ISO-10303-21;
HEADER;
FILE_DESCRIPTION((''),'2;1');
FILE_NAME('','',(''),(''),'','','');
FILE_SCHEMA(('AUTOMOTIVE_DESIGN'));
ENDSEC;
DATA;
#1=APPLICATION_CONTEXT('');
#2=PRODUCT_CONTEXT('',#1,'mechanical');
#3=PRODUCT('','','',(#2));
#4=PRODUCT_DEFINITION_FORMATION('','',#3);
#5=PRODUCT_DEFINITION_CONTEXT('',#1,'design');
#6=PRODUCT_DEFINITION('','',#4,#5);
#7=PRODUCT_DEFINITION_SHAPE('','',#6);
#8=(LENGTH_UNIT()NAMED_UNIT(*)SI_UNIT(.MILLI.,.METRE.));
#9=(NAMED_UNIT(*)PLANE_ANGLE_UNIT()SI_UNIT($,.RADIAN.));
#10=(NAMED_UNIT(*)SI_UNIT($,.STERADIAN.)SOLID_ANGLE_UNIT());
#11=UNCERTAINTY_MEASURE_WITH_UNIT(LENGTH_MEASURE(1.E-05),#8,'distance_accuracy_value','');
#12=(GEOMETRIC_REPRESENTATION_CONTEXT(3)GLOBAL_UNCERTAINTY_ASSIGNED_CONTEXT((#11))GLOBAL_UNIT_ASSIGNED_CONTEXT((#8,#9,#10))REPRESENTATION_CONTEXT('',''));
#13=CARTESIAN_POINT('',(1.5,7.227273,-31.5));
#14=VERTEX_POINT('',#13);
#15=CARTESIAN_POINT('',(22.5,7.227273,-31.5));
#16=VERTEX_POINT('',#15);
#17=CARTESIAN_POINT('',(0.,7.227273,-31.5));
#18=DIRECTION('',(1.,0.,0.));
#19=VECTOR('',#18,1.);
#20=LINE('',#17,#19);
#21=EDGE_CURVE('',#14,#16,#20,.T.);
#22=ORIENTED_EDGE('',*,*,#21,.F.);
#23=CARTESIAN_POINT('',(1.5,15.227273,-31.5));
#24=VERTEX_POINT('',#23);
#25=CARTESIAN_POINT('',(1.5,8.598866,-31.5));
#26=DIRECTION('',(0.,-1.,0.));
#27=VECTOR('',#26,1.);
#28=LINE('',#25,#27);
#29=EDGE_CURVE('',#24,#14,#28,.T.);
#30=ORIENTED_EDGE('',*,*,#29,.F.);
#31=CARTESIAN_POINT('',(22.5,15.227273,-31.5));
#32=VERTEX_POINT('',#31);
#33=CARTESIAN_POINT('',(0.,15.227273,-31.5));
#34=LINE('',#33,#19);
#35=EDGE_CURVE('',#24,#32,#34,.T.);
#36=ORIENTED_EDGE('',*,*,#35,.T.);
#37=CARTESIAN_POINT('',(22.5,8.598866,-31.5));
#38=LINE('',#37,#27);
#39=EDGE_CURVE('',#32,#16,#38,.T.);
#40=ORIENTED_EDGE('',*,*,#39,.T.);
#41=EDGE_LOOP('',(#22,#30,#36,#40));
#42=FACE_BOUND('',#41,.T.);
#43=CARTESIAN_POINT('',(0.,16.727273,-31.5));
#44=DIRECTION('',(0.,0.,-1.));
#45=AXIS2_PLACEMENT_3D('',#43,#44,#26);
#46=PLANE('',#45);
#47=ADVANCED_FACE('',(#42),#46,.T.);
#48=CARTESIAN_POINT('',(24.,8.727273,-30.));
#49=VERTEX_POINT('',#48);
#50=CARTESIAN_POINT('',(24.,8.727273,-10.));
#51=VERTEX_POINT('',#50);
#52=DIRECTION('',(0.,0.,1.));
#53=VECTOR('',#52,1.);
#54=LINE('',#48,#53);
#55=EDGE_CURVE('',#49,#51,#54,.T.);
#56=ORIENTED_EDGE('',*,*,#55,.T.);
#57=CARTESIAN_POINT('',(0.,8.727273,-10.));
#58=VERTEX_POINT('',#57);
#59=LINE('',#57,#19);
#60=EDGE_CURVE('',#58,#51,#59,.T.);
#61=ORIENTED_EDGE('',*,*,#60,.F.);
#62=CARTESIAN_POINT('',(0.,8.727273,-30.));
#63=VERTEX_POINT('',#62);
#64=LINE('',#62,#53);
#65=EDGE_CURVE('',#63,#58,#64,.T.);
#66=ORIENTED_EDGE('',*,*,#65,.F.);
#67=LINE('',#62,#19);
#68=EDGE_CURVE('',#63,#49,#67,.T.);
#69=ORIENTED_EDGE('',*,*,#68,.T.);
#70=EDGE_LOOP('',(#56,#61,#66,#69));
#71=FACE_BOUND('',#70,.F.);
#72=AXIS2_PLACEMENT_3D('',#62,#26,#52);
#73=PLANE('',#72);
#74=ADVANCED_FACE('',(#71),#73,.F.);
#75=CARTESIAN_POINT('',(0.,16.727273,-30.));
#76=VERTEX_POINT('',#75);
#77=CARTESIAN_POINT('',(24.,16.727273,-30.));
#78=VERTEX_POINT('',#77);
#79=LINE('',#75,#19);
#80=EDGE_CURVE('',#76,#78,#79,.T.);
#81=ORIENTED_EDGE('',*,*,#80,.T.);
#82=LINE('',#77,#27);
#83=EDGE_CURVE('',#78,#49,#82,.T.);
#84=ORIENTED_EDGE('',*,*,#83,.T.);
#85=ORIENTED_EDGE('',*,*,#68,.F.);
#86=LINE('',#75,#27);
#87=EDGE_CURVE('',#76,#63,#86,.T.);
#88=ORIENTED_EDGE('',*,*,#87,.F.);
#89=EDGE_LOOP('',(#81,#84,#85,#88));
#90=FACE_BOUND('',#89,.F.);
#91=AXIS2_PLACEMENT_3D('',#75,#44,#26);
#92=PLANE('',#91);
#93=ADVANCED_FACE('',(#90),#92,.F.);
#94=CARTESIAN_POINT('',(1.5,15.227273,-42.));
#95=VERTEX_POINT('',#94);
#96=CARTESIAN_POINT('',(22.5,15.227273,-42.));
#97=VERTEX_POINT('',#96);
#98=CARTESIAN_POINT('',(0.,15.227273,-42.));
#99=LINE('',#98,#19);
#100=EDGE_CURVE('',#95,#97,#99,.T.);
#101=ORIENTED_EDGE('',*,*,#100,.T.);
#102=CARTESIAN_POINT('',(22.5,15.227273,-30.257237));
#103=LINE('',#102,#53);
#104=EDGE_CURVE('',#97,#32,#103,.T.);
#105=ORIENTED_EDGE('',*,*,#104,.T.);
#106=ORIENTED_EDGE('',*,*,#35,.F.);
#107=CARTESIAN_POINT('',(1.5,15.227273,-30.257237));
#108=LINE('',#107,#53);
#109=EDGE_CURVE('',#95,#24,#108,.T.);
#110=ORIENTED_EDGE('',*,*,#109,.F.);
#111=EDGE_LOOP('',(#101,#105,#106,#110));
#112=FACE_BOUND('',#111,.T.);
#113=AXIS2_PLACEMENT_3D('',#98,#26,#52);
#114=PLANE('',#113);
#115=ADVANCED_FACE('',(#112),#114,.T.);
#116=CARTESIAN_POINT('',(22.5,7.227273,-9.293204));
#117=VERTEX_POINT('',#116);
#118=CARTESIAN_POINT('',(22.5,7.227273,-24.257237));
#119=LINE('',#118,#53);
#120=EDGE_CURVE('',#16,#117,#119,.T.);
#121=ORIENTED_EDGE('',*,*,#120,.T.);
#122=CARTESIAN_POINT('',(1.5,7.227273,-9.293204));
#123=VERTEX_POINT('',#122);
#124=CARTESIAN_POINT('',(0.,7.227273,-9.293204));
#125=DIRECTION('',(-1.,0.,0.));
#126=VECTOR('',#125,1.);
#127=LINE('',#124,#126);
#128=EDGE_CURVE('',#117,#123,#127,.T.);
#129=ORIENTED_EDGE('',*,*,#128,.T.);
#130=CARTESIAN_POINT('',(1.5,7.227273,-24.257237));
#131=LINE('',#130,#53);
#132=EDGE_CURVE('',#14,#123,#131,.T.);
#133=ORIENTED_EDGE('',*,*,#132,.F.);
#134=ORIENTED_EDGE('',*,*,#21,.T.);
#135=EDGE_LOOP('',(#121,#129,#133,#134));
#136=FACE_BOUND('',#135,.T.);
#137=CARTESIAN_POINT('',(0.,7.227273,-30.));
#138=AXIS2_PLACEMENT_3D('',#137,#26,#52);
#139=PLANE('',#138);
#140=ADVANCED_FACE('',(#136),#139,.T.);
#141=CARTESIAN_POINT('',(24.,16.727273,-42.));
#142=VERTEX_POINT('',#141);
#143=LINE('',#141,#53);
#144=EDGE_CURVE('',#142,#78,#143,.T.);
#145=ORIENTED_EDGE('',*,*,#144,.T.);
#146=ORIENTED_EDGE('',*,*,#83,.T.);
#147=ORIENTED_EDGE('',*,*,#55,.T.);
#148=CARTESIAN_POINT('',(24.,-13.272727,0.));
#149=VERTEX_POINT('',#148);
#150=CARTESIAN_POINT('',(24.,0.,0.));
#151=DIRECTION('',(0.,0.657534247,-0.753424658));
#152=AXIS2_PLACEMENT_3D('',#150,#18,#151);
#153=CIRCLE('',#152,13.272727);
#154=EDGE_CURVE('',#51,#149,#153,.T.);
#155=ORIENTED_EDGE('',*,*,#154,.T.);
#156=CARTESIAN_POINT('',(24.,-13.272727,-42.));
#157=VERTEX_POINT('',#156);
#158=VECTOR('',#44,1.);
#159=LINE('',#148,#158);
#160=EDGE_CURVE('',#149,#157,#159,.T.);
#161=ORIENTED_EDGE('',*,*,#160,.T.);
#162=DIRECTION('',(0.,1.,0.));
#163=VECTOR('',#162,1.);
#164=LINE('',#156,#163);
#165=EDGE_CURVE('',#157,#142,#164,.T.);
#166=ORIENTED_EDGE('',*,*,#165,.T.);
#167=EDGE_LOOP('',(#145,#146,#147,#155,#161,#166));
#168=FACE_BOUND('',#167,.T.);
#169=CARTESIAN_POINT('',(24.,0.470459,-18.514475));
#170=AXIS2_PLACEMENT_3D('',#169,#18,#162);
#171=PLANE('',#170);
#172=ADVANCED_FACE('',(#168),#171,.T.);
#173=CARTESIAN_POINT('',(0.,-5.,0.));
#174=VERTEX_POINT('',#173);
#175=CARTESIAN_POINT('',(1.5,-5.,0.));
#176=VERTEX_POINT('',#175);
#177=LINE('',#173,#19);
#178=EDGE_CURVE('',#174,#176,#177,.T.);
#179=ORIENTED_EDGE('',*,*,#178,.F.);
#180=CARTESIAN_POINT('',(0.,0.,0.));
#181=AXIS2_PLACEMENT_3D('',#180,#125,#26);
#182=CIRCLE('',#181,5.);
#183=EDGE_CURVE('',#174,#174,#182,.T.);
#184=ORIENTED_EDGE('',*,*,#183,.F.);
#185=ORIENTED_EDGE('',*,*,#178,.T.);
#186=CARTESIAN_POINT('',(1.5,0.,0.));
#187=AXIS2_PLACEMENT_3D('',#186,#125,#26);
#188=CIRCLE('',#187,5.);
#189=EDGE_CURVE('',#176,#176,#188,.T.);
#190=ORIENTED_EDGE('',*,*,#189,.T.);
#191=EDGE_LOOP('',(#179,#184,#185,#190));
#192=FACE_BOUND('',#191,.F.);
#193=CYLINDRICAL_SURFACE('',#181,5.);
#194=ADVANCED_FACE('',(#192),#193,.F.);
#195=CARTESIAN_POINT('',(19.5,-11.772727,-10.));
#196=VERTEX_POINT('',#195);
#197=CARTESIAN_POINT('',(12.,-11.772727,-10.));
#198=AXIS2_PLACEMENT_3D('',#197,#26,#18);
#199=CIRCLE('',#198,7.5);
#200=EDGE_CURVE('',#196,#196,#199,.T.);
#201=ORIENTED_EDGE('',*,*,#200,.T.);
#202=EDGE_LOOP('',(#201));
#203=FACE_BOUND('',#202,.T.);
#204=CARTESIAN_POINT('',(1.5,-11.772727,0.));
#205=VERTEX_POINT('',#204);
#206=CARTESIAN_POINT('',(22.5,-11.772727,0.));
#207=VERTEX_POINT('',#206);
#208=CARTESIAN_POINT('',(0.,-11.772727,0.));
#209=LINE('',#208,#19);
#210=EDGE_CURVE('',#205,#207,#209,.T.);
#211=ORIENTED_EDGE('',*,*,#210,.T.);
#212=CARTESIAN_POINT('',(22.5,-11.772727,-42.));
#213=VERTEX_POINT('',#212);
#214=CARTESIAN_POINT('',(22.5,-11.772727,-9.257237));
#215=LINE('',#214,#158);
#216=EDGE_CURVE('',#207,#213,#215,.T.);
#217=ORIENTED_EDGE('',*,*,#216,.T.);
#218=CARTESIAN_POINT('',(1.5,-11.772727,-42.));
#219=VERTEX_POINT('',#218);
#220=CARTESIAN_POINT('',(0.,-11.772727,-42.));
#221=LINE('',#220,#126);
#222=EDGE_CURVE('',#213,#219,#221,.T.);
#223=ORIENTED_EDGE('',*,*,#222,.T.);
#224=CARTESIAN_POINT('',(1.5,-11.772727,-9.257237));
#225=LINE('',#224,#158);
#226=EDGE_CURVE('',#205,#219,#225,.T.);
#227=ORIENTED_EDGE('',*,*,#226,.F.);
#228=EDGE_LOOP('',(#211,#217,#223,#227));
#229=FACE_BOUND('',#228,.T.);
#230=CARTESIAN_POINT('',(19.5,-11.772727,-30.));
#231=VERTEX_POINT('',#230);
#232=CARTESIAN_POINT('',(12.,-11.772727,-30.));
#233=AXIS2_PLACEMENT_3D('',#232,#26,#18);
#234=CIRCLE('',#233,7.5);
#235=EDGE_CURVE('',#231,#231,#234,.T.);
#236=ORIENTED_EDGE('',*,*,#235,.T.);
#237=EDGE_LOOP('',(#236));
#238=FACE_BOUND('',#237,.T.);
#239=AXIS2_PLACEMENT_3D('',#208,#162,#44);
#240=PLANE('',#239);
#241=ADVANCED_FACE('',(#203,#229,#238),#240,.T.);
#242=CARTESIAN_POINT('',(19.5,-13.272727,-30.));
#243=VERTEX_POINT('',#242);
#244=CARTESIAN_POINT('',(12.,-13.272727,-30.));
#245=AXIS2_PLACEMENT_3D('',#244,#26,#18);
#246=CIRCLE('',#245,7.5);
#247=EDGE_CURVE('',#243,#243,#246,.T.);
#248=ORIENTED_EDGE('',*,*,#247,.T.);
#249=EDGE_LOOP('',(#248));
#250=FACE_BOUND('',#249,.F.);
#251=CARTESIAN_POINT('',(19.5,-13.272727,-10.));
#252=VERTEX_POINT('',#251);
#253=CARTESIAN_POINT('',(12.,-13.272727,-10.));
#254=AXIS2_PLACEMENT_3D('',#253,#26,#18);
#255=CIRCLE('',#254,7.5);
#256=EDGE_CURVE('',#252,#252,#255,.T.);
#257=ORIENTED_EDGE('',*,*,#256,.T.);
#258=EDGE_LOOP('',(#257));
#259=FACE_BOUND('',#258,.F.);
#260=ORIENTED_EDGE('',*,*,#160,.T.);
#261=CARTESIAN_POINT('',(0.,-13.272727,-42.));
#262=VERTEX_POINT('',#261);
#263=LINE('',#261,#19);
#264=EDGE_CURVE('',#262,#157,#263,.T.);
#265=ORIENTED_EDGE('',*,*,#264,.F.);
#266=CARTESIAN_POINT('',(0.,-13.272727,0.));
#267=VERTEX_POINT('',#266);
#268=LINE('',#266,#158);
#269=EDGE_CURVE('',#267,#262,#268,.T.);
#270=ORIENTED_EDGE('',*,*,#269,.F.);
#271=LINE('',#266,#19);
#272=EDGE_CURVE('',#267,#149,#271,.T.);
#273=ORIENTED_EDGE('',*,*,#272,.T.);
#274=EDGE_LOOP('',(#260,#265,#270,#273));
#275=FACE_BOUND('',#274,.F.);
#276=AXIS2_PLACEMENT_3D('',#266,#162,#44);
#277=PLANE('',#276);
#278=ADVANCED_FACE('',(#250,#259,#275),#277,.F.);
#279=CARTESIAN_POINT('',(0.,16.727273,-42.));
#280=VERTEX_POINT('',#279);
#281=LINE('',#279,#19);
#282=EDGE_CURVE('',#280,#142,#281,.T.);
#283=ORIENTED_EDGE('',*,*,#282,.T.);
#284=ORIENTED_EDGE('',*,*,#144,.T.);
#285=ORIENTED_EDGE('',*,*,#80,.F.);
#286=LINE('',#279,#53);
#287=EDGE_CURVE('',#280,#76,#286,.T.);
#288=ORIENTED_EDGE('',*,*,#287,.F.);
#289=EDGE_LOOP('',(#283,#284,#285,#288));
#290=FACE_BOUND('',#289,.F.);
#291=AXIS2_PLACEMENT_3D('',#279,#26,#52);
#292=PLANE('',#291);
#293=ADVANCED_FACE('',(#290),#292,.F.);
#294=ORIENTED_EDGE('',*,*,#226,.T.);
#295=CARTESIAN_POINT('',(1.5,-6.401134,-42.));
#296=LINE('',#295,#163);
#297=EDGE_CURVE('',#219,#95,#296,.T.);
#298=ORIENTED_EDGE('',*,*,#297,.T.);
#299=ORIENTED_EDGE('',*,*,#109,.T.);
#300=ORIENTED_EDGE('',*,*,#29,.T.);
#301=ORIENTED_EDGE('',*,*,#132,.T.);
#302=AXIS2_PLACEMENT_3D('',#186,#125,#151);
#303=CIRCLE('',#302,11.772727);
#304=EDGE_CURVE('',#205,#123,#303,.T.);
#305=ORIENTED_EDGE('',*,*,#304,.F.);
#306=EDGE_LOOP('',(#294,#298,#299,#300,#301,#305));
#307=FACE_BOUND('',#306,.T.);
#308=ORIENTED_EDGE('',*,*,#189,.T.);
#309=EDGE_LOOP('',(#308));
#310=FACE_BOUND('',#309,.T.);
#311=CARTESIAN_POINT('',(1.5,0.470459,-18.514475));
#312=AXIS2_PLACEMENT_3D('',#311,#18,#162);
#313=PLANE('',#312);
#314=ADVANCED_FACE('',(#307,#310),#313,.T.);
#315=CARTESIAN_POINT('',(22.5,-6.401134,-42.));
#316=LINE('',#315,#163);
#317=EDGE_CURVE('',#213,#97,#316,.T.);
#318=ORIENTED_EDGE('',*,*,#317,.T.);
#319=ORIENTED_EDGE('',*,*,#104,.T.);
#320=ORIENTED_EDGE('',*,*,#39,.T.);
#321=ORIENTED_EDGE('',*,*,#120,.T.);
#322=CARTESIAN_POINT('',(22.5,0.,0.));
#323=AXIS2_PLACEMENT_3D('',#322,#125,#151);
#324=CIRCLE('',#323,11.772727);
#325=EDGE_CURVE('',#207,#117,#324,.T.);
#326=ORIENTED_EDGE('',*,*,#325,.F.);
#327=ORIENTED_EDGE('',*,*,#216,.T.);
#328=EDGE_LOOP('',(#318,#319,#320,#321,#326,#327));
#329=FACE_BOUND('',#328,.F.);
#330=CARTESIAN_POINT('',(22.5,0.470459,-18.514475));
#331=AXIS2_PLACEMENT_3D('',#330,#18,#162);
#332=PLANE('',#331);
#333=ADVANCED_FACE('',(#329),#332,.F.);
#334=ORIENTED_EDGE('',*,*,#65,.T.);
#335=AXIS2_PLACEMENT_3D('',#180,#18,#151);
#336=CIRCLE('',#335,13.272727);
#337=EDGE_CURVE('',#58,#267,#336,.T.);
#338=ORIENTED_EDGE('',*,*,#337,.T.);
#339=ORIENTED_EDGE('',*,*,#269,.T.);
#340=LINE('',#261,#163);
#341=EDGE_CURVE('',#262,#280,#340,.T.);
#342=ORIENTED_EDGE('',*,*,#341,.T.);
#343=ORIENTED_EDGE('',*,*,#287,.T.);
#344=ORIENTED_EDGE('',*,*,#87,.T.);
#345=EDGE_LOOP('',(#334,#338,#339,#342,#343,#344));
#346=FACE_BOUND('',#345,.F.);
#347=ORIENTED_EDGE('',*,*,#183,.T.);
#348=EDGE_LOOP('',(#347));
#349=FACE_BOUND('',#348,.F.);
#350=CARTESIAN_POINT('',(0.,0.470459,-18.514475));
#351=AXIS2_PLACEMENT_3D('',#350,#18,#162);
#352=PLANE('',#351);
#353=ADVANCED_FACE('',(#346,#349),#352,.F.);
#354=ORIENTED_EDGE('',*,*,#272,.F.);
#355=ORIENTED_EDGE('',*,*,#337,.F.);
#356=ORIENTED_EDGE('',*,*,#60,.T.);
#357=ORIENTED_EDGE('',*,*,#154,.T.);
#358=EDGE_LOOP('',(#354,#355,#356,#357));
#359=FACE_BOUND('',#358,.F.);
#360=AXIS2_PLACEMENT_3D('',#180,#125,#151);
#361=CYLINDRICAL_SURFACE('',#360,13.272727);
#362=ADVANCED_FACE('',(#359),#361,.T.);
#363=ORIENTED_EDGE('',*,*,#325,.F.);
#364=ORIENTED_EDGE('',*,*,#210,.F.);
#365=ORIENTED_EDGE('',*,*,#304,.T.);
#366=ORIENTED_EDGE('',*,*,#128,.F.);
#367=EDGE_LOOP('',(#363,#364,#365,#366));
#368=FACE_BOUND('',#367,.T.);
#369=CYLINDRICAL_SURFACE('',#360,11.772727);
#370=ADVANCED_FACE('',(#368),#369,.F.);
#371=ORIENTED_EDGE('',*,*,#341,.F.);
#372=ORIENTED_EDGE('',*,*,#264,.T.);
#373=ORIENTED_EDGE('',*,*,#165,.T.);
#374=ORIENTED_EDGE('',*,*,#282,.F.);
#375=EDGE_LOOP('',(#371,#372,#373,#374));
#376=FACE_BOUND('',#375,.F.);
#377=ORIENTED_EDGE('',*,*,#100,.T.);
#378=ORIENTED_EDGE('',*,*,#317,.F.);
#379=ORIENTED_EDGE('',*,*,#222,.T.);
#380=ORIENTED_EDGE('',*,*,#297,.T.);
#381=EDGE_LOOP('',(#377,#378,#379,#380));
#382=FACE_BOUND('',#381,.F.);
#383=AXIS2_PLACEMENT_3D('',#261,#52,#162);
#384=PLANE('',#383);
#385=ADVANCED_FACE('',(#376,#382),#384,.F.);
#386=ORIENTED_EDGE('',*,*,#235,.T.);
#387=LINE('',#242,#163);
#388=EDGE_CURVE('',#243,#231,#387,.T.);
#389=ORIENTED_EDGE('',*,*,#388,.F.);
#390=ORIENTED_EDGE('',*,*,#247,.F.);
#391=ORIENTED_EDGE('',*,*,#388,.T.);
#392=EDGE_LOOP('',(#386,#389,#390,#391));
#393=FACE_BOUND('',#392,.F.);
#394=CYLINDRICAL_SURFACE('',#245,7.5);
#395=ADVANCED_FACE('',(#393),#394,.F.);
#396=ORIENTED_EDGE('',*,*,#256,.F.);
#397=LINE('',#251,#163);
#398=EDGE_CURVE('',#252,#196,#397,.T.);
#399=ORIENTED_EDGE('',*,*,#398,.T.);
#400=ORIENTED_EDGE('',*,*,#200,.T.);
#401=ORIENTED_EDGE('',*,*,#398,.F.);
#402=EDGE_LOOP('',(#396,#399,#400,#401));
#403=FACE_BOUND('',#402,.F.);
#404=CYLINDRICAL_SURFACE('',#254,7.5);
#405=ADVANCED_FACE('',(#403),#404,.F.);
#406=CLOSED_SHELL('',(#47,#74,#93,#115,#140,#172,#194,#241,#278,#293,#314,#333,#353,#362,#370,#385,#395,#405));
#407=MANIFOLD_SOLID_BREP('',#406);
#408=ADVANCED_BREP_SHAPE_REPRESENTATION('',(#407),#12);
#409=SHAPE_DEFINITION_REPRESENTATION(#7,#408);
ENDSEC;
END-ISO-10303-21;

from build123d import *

# Parameters (mm, degrees)
F1_DEPTH = 24
F2_T     = -1.5
F3_R     = 5
F4_DEPTH = 5
F5_R     = 7.5
F6_DEPTH = 5


with BuildPart() as f1:
    # F0 (on Right) → F1 (new body)
    with BuildSketch(Plane.YZ):
        with BuildLine():
            Line((8.7272727273, -30), (8.7272727273, -10))
            ThreePointArc((8.7272727273, -10), (5.4922936244, 12.0830459736), (-13.2727272727, 0))
            Line((-13.2727272727, 0), (-13.2727272727, -42))
            Line((-13.2727272727, -42), (16.7272727273, -42))
            Line((16.7272727273, -42), (16.7272727273, -30))
            Line((16.7272727273, -30), (8.7272727273, -30))
        make_face()
    extrude(amount=F1_DEPTH)

    # F2
    f2_openings = [f1.faces().sort_by_distance(p)[0] for p in [
        (12, 1.727273, -42),
    ]]
    offset(amount=F2_T, openings=f2_openings, kind=Kind.INTERSECTION)

    # F3 (on face) → F4 (cut)
    with BuildSketch(Plane(origin=(0, 0, 0), x_dir=(0, -1, 0), z_dir=(-1, 0, 0))):
        Circle(F3_R)
    extrude(amount=-F4_DEPTH, mode=Mode.SUBTRACT)

    # F5 (on face) → F6 (cut)
    with BuildSketch(Plane.XZ.offset(13.2727272727)):
        with Locations((12, -10)):
            Circle(F5_R)
        with Locations((12, -30)):
            Circle(F5_R)
    extrude(amount=-F6_DEPTH, mode=Mode.SUBTRACT)


solid = f1.part
